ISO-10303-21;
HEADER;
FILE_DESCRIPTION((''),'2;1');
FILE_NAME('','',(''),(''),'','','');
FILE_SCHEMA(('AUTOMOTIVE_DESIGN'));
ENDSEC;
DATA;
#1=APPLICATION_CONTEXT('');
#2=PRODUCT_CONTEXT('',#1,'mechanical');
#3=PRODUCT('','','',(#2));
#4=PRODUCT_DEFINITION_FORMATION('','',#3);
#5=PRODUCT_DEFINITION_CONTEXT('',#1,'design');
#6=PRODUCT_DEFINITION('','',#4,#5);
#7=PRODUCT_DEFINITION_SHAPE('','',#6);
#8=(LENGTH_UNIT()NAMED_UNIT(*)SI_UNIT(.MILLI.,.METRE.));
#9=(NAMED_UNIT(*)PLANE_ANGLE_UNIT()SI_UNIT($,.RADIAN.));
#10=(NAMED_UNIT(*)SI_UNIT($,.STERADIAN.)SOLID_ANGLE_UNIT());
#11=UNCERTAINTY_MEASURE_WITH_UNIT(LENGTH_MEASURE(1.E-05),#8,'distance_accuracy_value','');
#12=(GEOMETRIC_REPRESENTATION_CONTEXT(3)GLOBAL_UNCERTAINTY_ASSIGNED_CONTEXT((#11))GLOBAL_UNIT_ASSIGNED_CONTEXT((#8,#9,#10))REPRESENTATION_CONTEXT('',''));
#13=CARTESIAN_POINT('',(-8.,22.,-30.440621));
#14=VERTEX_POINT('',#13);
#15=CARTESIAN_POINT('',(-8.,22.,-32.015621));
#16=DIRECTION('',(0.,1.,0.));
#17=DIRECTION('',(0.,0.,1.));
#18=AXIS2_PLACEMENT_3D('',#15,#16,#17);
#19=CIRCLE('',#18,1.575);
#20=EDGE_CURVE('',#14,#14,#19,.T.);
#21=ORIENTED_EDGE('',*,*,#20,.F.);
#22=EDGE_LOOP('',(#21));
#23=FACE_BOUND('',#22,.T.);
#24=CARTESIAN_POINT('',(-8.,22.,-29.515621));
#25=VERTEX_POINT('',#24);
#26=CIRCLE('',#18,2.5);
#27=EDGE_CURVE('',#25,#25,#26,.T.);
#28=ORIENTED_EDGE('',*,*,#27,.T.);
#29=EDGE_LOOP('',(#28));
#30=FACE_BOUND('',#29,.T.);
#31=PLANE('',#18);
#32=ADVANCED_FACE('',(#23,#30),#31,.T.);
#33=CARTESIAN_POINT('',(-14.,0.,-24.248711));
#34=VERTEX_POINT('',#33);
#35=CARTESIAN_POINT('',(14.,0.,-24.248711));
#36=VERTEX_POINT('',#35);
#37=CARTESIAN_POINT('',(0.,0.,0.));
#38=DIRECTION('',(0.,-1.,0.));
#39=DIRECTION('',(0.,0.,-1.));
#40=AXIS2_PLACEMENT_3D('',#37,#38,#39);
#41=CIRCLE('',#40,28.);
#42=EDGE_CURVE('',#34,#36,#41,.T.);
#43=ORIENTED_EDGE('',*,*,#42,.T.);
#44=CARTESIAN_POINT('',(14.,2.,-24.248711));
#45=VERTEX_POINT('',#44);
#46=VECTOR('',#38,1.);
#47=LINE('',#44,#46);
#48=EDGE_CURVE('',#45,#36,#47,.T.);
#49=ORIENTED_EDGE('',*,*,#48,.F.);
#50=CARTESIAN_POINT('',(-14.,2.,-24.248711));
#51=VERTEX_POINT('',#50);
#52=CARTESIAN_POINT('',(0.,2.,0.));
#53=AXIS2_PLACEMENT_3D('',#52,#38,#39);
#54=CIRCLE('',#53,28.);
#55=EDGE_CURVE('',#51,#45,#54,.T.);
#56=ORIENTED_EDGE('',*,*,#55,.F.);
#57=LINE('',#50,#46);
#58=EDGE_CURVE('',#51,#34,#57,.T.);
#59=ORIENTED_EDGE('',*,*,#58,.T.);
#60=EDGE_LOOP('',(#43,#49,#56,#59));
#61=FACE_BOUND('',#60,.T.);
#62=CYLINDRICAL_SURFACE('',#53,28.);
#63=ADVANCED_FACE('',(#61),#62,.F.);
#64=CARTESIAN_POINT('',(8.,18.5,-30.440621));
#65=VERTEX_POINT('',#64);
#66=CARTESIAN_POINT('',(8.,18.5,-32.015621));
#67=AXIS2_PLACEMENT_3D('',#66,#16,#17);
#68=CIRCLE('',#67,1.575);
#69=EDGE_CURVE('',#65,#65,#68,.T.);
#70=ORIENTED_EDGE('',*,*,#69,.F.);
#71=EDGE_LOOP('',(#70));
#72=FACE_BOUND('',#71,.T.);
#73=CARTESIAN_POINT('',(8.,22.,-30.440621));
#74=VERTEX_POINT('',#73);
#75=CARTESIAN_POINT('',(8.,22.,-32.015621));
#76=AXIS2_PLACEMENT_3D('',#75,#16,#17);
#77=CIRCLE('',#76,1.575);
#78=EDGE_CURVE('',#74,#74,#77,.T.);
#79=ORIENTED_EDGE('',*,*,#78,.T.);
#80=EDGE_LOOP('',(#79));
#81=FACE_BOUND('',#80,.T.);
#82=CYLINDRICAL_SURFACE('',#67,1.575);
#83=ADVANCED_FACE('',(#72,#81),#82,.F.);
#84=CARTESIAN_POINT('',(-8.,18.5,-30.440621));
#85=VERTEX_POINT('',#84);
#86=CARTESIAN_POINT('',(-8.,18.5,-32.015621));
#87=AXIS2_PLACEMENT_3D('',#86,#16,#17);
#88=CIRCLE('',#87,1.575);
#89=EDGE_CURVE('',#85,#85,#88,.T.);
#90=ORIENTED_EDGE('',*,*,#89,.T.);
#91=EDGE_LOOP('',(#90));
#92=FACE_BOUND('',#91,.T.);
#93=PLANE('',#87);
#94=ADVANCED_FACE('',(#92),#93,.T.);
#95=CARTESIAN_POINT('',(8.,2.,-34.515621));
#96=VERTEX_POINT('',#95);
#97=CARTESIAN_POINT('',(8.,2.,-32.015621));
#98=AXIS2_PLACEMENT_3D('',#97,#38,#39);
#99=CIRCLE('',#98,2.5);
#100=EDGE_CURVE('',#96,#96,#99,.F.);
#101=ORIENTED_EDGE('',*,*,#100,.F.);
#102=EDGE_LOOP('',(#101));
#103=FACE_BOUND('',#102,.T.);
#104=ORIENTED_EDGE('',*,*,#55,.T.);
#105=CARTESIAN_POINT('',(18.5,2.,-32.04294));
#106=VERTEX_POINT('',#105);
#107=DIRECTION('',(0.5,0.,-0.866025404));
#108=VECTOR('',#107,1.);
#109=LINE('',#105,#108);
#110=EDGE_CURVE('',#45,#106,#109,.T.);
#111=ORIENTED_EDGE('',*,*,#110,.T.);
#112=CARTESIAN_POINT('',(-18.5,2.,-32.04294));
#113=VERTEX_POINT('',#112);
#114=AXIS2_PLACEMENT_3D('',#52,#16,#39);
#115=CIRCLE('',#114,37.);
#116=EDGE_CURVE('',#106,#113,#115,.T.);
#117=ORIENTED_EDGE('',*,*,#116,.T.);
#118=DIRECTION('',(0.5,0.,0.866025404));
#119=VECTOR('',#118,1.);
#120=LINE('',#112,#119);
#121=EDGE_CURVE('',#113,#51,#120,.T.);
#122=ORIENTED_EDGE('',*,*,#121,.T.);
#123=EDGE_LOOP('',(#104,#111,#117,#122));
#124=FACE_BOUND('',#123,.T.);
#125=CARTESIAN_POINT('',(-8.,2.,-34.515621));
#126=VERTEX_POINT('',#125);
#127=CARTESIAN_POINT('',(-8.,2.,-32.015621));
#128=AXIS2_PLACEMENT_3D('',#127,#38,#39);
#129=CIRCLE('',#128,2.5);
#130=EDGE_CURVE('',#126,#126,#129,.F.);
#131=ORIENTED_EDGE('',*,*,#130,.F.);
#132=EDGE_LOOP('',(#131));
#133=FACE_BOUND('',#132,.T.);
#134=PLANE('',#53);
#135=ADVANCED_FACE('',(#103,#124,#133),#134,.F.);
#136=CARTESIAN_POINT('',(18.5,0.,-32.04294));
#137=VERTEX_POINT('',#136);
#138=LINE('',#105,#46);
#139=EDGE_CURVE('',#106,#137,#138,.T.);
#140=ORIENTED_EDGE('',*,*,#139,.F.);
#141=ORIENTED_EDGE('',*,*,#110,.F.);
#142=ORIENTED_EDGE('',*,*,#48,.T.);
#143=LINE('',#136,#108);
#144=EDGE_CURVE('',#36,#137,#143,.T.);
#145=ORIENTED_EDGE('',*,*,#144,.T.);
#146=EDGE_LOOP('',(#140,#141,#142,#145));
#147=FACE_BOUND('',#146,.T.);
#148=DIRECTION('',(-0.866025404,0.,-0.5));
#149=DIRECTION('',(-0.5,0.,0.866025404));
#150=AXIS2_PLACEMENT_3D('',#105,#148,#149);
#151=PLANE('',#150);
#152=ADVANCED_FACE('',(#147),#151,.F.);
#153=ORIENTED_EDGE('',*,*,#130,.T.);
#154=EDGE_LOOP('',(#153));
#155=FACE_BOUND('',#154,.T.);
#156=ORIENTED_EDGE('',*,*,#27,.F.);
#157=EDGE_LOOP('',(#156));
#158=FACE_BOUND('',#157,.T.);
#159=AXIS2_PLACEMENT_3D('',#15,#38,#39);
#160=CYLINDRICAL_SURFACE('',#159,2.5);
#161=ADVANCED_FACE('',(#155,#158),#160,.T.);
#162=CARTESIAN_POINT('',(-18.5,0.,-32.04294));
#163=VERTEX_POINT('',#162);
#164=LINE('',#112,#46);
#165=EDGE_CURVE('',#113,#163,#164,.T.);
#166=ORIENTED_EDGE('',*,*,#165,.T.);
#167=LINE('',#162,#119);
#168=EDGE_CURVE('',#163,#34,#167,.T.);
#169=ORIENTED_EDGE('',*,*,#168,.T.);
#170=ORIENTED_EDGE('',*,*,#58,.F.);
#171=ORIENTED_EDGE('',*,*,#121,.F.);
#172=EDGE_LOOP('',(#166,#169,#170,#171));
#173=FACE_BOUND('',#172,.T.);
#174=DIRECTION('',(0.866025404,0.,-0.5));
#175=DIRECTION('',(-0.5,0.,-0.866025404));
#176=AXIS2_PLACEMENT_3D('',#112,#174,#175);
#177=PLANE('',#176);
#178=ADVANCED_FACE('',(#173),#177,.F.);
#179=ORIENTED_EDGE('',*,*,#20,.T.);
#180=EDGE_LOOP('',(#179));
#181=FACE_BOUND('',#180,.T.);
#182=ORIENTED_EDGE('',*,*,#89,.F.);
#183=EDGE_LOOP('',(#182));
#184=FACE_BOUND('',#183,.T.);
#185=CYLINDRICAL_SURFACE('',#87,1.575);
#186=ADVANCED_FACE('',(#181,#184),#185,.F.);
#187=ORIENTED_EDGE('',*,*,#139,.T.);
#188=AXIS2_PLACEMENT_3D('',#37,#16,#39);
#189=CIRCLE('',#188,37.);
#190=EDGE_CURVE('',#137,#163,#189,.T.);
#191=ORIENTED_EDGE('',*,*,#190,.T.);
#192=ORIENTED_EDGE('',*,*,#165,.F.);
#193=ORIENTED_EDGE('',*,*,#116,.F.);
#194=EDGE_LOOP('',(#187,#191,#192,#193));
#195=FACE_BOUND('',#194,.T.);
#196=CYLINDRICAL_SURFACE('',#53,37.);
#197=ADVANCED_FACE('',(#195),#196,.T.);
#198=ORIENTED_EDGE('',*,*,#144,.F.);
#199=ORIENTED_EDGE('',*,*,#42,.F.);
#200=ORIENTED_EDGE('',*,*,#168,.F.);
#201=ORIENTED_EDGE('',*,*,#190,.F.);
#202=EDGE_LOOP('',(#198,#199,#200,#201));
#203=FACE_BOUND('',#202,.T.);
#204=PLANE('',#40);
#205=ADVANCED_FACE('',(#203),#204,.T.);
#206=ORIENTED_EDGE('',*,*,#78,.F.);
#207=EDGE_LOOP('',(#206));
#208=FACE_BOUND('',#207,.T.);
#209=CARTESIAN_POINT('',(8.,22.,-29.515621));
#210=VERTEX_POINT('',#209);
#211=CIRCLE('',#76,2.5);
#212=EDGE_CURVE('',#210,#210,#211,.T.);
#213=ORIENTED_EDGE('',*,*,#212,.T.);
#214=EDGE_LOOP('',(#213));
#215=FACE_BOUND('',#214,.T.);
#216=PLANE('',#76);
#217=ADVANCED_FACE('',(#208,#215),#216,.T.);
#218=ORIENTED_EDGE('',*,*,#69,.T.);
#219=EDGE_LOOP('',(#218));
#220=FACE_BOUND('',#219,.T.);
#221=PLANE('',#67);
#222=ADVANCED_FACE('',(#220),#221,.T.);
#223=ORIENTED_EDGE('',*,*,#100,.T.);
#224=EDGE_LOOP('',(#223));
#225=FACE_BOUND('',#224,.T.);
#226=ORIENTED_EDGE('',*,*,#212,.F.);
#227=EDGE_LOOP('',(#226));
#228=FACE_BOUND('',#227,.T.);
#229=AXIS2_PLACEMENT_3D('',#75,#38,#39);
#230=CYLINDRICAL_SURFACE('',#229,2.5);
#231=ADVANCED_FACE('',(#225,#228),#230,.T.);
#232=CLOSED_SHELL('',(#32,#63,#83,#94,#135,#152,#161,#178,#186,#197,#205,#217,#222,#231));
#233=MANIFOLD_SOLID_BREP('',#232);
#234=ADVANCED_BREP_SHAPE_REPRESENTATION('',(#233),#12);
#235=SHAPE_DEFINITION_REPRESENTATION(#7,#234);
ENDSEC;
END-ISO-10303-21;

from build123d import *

# Parameters (mm, degrees)
BOSS_EXTRUDE1_DEPTH = 2
SKETCH2_R           = 2.5
BOSS_EXTRUDE2_DEPTH = 20
SKETCH5_R           = 1.575
CUT_EXTRUDE1_DEPTH  = 3.5


with BuildPart() as part:
    # Sketch1 → Boss-Extrude1 (new body)
    with BuildSketch(Plane(origin=(0, 0, 0), x_dir=(1, 0, 0), z_dir=(0, 1, 0))):
        with BuildLine():
            Line((-18.5, 32.04293994), (-14, 24.248711306))
            ThreePointArc((-14, 24.248711306), (0, 28), (14, 24.248711306))
            Line((14, 24.248711306), (18.5, 32.04293994))
            ThreePointArc((18.5, 32.04293994), (0, 37), (-18.5, 32.04293994))
        make_face()
    extrude(amount=BOSS_EXTRUDE1_DEPTH)

    # Sketch2 → Boss-Extrude2 (add)
    with BuildSketch(Plane(origin=(0, 2, 0), x_dir=(1, 0, 0), z_dir=(0, 1, 0))):
        with Locations(Location((-8, 32.015621187, 0), (0, 0, 90))):
            Circle(SKETCH2_R)
        with Locations(Location((8, 32.015621187, 0), (0, 0, 90))):
            Circle(SKETCH2_R)
    extrude(amount=BOSS_EXTRUDE2_DEPTH)

    # Sketch5 → Cut-Extrude1 (cut)
    with BuildSketch(Plane(origin=(0, 22, 0), x_dir=(1, 0, 0), z_dir=(0, 1, 0))):
        with Locations(Location((-8, 32.015621187, 0), (0, 0, 270))):
            Circle(SKETCH5_R)
        with Locations(Location((8, 32.015621187, 0), (0, 0, 270))):
            Circle(SKETCH5_R)
    extrude(amount=-CUT_EXTRUDE1_DEPTH, mode=Mode.SUBTRACT)


solid = part.part
